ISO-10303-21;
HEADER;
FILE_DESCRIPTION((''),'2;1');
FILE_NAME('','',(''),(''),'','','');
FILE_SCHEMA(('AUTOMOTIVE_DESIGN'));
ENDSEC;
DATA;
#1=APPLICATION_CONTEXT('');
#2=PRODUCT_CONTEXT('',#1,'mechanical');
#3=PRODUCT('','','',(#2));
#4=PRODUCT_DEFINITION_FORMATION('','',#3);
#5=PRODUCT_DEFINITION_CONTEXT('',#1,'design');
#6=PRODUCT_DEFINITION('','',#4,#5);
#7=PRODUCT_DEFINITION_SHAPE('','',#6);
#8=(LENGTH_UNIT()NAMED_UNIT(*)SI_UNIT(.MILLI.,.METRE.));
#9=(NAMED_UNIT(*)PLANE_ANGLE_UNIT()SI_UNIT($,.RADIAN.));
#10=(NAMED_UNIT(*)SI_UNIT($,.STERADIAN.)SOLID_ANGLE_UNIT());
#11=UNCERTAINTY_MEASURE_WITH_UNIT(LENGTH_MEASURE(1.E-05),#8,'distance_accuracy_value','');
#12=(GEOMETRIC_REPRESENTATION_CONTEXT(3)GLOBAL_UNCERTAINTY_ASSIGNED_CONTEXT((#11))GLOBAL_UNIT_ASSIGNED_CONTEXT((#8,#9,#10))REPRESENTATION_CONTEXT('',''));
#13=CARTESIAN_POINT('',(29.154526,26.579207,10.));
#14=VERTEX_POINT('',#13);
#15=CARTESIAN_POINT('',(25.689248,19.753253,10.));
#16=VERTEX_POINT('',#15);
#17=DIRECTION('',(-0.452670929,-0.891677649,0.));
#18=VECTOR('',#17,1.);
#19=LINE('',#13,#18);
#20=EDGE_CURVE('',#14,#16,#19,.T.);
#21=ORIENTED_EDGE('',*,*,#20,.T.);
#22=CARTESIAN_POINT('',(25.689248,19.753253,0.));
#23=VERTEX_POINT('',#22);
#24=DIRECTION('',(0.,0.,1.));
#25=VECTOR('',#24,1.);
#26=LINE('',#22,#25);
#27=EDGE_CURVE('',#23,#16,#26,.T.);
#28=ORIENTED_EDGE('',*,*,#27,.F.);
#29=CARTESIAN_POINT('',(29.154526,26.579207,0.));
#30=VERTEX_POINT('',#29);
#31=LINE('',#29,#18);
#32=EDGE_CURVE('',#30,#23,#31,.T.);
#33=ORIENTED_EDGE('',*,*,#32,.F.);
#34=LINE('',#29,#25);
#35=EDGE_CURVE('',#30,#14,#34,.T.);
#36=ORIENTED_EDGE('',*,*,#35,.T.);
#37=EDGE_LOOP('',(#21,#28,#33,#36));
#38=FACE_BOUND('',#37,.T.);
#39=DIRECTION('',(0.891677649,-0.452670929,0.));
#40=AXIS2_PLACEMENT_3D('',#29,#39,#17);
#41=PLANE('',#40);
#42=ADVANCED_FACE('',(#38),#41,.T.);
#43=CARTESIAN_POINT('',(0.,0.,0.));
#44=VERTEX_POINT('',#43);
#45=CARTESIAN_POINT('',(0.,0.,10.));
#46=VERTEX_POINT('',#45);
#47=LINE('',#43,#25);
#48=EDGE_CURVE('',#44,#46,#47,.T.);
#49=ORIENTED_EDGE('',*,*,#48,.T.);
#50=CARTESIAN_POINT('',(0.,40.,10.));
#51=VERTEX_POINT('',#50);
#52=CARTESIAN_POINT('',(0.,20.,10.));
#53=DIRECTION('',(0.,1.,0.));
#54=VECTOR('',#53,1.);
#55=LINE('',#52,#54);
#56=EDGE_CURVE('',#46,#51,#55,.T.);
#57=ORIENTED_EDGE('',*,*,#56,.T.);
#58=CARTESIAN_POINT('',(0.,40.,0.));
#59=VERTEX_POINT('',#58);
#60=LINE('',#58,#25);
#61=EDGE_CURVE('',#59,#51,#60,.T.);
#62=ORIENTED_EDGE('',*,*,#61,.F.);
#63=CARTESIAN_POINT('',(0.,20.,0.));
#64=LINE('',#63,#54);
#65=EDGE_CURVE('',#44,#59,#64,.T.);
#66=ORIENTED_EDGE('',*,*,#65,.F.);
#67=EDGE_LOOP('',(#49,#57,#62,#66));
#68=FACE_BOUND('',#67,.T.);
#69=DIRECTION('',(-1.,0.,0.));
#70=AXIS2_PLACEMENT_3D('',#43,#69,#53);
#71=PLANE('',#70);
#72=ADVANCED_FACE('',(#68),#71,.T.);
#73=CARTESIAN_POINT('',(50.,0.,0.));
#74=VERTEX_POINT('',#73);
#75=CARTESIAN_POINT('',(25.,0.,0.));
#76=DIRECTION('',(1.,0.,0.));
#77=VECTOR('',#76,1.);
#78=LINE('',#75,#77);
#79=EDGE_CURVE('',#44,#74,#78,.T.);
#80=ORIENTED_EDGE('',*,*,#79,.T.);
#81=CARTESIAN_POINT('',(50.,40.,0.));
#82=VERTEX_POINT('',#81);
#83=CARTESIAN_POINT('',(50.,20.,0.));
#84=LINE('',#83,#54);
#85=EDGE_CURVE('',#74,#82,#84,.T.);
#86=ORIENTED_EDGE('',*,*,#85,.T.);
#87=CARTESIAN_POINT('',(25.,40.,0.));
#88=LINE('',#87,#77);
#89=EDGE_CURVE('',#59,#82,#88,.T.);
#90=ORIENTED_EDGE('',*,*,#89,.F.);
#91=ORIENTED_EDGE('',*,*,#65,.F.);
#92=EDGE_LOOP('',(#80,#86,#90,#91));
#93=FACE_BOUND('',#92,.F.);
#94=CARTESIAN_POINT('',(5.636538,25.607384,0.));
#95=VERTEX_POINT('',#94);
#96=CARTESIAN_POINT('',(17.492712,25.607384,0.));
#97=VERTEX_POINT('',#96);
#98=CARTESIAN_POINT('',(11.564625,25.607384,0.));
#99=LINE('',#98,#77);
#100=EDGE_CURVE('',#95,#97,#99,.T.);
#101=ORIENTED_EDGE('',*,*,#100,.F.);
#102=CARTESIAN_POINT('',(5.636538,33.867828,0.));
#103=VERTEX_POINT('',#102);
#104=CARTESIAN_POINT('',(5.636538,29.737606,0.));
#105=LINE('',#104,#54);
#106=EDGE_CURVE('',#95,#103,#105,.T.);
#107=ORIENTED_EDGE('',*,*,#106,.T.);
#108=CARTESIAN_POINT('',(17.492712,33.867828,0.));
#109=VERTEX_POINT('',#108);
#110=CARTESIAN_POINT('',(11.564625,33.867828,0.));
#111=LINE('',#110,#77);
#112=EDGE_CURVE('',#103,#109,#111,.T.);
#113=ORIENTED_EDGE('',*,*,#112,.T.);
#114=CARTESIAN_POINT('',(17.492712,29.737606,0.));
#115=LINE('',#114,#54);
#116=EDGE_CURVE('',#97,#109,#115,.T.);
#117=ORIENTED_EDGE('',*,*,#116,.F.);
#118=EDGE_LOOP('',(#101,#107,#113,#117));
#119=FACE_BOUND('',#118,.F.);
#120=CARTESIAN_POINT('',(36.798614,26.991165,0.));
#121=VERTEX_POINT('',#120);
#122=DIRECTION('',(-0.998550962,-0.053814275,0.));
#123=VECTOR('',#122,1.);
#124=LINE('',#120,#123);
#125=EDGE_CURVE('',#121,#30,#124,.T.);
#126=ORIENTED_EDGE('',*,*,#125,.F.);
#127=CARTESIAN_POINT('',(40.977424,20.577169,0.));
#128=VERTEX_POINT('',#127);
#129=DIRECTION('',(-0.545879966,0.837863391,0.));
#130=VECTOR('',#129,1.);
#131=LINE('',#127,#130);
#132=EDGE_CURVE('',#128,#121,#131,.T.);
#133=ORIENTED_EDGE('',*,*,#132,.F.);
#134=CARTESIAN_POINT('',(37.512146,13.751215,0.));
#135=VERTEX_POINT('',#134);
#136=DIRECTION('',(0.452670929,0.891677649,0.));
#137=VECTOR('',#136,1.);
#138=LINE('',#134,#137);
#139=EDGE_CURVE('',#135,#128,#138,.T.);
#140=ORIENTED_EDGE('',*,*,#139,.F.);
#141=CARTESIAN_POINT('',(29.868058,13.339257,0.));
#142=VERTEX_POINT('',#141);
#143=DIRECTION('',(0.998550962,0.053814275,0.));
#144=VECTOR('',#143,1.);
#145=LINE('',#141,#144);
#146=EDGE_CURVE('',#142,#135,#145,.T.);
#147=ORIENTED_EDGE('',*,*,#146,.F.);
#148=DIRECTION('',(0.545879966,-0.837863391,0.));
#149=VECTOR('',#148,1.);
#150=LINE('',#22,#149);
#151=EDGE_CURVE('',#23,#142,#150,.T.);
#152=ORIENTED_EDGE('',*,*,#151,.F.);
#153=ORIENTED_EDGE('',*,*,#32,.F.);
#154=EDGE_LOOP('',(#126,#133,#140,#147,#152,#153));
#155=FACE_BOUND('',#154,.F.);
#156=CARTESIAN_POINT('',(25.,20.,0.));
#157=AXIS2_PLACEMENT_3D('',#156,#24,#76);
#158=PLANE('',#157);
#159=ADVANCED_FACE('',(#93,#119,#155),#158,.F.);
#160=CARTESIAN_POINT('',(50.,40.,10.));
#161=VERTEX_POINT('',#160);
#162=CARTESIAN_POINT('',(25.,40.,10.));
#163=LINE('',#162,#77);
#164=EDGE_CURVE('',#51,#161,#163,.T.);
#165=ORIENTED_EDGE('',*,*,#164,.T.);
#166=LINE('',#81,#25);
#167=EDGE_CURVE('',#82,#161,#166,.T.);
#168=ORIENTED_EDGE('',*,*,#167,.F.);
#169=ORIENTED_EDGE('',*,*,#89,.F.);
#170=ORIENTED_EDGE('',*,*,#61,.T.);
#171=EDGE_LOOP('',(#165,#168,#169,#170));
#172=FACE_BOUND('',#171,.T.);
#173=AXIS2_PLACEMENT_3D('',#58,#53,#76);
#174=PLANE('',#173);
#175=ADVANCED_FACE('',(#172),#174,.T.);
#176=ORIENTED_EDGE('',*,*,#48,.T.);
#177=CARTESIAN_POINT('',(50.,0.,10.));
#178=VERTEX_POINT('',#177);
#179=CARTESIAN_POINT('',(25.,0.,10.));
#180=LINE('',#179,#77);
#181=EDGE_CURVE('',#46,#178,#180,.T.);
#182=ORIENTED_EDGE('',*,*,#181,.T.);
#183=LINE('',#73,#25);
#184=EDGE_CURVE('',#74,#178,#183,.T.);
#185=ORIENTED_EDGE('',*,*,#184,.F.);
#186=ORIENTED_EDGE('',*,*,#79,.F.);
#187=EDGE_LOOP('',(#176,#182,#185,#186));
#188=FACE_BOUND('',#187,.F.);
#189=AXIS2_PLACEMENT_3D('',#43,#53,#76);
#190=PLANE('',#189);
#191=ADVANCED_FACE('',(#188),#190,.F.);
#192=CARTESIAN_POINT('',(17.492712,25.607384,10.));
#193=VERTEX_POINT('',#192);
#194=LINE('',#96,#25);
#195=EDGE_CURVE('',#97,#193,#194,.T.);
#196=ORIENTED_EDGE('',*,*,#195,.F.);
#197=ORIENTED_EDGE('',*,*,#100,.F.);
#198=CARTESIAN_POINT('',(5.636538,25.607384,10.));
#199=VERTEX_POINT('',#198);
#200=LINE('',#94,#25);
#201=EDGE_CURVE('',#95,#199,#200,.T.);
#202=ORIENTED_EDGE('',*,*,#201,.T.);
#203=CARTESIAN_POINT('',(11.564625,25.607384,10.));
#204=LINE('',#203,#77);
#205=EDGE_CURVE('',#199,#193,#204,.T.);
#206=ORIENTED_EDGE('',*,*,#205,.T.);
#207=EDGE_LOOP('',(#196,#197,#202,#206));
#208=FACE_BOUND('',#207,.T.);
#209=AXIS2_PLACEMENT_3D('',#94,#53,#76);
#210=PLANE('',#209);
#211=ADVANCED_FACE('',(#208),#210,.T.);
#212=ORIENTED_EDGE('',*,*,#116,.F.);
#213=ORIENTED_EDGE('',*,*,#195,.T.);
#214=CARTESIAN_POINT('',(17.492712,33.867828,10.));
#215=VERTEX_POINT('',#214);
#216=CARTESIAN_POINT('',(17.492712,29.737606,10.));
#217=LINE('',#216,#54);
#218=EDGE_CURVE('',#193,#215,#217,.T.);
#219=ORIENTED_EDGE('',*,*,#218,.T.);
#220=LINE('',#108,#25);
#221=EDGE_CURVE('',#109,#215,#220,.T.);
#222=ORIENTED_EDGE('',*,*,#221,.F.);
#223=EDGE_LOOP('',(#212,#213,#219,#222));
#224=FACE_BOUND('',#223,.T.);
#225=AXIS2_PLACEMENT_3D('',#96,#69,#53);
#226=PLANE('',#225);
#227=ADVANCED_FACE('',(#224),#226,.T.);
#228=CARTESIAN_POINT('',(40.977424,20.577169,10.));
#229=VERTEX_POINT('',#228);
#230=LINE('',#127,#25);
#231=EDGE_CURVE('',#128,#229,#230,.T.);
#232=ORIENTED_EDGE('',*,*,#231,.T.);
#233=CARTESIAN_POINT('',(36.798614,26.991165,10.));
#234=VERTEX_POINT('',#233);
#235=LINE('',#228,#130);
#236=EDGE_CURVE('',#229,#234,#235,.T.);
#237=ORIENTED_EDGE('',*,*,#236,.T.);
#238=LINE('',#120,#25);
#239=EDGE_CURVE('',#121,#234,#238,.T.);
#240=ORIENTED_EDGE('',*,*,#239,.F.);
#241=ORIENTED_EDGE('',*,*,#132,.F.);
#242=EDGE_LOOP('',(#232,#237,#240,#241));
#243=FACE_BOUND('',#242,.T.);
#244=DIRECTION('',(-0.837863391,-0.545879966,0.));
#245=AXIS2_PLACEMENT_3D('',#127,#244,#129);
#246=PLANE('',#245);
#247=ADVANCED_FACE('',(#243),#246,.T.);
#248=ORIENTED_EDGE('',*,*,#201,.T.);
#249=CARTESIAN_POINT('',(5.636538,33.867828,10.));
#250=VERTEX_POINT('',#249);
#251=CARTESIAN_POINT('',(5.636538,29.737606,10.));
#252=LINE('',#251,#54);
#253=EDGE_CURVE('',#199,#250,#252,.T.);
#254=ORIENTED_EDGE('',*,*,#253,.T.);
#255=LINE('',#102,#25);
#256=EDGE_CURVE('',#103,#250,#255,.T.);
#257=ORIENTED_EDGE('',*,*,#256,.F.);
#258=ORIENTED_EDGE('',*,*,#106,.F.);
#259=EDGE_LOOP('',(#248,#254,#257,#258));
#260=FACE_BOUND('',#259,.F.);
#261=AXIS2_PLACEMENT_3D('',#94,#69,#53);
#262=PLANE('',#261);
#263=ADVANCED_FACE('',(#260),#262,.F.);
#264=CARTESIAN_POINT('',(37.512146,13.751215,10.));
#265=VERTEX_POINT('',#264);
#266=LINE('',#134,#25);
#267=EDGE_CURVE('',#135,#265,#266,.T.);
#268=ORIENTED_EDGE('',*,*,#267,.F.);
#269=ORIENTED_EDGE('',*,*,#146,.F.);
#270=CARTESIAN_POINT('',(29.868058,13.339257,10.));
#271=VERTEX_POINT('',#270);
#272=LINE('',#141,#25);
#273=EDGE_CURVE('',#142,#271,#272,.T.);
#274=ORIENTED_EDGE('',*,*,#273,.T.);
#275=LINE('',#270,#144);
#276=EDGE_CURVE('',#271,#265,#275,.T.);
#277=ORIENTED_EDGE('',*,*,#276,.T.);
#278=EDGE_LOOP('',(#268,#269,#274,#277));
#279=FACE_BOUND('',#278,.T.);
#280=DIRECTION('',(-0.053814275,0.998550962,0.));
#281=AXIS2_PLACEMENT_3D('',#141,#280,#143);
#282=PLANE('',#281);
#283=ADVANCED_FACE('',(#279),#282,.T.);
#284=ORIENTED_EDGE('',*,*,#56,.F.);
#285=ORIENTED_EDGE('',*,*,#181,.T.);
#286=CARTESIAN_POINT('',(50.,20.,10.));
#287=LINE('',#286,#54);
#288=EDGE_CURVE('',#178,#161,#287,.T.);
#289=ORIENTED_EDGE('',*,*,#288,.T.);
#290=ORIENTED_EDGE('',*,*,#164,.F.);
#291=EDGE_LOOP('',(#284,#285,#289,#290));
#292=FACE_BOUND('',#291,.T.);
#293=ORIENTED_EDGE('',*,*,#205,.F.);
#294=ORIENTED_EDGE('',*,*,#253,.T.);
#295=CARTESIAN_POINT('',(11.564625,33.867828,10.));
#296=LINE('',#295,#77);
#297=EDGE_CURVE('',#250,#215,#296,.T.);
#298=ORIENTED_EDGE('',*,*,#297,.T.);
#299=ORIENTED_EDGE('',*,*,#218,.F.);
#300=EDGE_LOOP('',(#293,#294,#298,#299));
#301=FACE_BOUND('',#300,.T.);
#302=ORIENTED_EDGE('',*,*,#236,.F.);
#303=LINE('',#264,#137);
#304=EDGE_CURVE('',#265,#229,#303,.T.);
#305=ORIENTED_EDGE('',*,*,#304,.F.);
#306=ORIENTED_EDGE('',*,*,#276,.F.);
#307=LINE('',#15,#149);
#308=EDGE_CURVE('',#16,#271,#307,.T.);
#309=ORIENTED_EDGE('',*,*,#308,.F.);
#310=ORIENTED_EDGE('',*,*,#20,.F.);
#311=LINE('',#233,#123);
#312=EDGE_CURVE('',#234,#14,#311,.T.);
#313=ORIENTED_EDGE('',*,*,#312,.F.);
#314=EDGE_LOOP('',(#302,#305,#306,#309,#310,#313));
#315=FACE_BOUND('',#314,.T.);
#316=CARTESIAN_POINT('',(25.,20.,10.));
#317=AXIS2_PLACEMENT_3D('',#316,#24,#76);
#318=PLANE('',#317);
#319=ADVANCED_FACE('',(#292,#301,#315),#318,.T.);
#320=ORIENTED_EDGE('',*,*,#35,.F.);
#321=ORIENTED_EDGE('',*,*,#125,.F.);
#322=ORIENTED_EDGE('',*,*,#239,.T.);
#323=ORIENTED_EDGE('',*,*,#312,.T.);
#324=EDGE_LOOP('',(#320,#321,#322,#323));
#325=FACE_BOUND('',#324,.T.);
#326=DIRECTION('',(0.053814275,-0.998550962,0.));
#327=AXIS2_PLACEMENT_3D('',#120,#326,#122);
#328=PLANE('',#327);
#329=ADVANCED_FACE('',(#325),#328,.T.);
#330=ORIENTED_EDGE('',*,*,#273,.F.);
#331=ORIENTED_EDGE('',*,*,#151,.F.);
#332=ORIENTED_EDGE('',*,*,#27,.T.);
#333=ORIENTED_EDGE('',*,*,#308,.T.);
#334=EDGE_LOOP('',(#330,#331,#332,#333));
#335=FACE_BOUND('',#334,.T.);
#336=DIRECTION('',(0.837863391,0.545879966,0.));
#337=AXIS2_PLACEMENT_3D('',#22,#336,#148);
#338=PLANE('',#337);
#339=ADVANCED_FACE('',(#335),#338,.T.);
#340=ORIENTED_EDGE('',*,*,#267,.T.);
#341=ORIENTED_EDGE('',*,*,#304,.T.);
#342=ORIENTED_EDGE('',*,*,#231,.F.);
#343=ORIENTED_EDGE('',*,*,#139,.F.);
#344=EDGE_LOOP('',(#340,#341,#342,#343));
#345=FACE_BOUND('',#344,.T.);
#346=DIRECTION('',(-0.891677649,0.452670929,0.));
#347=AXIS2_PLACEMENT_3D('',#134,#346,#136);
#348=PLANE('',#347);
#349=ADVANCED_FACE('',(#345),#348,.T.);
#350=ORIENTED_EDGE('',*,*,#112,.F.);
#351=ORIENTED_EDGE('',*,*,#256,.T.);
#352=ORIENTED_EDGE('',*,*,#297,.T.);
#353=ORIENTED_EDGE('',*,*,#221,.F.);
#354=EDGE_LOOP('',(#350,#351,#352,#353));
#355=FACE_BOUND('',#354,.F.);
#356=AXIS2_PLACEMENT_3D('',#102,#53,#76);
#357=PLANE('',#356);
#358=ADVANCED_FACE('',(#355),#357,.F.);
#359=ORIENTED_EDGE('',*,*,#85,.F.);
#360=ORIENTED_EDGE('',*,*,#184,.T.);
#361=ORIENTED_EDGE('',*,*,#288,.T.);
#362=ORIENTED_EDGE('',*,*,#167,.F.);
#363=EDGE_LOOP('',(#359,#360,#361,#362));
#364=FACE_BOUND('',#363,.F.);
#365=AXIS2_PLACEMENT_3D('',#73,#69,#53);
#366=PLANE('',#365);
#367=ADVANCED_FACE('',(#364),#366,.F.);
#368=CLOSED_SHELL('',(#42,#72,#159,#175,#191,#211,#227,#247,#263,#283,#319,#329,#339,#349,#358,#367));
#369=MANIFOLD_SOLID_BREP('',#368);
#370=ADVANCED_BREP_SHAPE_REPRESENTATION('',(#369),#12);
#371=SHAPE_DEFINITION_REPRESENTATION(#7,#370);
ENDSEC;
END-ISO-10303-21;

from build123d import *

# Parameters (mm, degrees)
SKETCH_W   = 50
SKETCH_H   = 40
SKETCH_W_2 = 11.856175
SKETCH_H_2 = 8.260444
PAD_DEPTH  = 10


with BuildPart() as part:
    # Sketch → Pad (new body)
    with BuildSketch(Plane.XY):
        with Locations((25, 20)):
            Rectangle(SKETCH_W, SKETCH_H)
        with Locations((11.564625, 29.737606)):
            Rectangle(SKETCH_W_2, SKETCH_H_2, mode=Mode.SUBTRACT)
        Polygon((37.512146, 13.751215), (40.977424, 20.577169), (36.798614, 26.991165), (29.154526, 26.579207), (25.689248, 19.753253), (29.868058, 13.339257), align=None, mode=Mode.SUBTRACT)
    extrude(amount=PAD_DEPTH)


solid = part.part
